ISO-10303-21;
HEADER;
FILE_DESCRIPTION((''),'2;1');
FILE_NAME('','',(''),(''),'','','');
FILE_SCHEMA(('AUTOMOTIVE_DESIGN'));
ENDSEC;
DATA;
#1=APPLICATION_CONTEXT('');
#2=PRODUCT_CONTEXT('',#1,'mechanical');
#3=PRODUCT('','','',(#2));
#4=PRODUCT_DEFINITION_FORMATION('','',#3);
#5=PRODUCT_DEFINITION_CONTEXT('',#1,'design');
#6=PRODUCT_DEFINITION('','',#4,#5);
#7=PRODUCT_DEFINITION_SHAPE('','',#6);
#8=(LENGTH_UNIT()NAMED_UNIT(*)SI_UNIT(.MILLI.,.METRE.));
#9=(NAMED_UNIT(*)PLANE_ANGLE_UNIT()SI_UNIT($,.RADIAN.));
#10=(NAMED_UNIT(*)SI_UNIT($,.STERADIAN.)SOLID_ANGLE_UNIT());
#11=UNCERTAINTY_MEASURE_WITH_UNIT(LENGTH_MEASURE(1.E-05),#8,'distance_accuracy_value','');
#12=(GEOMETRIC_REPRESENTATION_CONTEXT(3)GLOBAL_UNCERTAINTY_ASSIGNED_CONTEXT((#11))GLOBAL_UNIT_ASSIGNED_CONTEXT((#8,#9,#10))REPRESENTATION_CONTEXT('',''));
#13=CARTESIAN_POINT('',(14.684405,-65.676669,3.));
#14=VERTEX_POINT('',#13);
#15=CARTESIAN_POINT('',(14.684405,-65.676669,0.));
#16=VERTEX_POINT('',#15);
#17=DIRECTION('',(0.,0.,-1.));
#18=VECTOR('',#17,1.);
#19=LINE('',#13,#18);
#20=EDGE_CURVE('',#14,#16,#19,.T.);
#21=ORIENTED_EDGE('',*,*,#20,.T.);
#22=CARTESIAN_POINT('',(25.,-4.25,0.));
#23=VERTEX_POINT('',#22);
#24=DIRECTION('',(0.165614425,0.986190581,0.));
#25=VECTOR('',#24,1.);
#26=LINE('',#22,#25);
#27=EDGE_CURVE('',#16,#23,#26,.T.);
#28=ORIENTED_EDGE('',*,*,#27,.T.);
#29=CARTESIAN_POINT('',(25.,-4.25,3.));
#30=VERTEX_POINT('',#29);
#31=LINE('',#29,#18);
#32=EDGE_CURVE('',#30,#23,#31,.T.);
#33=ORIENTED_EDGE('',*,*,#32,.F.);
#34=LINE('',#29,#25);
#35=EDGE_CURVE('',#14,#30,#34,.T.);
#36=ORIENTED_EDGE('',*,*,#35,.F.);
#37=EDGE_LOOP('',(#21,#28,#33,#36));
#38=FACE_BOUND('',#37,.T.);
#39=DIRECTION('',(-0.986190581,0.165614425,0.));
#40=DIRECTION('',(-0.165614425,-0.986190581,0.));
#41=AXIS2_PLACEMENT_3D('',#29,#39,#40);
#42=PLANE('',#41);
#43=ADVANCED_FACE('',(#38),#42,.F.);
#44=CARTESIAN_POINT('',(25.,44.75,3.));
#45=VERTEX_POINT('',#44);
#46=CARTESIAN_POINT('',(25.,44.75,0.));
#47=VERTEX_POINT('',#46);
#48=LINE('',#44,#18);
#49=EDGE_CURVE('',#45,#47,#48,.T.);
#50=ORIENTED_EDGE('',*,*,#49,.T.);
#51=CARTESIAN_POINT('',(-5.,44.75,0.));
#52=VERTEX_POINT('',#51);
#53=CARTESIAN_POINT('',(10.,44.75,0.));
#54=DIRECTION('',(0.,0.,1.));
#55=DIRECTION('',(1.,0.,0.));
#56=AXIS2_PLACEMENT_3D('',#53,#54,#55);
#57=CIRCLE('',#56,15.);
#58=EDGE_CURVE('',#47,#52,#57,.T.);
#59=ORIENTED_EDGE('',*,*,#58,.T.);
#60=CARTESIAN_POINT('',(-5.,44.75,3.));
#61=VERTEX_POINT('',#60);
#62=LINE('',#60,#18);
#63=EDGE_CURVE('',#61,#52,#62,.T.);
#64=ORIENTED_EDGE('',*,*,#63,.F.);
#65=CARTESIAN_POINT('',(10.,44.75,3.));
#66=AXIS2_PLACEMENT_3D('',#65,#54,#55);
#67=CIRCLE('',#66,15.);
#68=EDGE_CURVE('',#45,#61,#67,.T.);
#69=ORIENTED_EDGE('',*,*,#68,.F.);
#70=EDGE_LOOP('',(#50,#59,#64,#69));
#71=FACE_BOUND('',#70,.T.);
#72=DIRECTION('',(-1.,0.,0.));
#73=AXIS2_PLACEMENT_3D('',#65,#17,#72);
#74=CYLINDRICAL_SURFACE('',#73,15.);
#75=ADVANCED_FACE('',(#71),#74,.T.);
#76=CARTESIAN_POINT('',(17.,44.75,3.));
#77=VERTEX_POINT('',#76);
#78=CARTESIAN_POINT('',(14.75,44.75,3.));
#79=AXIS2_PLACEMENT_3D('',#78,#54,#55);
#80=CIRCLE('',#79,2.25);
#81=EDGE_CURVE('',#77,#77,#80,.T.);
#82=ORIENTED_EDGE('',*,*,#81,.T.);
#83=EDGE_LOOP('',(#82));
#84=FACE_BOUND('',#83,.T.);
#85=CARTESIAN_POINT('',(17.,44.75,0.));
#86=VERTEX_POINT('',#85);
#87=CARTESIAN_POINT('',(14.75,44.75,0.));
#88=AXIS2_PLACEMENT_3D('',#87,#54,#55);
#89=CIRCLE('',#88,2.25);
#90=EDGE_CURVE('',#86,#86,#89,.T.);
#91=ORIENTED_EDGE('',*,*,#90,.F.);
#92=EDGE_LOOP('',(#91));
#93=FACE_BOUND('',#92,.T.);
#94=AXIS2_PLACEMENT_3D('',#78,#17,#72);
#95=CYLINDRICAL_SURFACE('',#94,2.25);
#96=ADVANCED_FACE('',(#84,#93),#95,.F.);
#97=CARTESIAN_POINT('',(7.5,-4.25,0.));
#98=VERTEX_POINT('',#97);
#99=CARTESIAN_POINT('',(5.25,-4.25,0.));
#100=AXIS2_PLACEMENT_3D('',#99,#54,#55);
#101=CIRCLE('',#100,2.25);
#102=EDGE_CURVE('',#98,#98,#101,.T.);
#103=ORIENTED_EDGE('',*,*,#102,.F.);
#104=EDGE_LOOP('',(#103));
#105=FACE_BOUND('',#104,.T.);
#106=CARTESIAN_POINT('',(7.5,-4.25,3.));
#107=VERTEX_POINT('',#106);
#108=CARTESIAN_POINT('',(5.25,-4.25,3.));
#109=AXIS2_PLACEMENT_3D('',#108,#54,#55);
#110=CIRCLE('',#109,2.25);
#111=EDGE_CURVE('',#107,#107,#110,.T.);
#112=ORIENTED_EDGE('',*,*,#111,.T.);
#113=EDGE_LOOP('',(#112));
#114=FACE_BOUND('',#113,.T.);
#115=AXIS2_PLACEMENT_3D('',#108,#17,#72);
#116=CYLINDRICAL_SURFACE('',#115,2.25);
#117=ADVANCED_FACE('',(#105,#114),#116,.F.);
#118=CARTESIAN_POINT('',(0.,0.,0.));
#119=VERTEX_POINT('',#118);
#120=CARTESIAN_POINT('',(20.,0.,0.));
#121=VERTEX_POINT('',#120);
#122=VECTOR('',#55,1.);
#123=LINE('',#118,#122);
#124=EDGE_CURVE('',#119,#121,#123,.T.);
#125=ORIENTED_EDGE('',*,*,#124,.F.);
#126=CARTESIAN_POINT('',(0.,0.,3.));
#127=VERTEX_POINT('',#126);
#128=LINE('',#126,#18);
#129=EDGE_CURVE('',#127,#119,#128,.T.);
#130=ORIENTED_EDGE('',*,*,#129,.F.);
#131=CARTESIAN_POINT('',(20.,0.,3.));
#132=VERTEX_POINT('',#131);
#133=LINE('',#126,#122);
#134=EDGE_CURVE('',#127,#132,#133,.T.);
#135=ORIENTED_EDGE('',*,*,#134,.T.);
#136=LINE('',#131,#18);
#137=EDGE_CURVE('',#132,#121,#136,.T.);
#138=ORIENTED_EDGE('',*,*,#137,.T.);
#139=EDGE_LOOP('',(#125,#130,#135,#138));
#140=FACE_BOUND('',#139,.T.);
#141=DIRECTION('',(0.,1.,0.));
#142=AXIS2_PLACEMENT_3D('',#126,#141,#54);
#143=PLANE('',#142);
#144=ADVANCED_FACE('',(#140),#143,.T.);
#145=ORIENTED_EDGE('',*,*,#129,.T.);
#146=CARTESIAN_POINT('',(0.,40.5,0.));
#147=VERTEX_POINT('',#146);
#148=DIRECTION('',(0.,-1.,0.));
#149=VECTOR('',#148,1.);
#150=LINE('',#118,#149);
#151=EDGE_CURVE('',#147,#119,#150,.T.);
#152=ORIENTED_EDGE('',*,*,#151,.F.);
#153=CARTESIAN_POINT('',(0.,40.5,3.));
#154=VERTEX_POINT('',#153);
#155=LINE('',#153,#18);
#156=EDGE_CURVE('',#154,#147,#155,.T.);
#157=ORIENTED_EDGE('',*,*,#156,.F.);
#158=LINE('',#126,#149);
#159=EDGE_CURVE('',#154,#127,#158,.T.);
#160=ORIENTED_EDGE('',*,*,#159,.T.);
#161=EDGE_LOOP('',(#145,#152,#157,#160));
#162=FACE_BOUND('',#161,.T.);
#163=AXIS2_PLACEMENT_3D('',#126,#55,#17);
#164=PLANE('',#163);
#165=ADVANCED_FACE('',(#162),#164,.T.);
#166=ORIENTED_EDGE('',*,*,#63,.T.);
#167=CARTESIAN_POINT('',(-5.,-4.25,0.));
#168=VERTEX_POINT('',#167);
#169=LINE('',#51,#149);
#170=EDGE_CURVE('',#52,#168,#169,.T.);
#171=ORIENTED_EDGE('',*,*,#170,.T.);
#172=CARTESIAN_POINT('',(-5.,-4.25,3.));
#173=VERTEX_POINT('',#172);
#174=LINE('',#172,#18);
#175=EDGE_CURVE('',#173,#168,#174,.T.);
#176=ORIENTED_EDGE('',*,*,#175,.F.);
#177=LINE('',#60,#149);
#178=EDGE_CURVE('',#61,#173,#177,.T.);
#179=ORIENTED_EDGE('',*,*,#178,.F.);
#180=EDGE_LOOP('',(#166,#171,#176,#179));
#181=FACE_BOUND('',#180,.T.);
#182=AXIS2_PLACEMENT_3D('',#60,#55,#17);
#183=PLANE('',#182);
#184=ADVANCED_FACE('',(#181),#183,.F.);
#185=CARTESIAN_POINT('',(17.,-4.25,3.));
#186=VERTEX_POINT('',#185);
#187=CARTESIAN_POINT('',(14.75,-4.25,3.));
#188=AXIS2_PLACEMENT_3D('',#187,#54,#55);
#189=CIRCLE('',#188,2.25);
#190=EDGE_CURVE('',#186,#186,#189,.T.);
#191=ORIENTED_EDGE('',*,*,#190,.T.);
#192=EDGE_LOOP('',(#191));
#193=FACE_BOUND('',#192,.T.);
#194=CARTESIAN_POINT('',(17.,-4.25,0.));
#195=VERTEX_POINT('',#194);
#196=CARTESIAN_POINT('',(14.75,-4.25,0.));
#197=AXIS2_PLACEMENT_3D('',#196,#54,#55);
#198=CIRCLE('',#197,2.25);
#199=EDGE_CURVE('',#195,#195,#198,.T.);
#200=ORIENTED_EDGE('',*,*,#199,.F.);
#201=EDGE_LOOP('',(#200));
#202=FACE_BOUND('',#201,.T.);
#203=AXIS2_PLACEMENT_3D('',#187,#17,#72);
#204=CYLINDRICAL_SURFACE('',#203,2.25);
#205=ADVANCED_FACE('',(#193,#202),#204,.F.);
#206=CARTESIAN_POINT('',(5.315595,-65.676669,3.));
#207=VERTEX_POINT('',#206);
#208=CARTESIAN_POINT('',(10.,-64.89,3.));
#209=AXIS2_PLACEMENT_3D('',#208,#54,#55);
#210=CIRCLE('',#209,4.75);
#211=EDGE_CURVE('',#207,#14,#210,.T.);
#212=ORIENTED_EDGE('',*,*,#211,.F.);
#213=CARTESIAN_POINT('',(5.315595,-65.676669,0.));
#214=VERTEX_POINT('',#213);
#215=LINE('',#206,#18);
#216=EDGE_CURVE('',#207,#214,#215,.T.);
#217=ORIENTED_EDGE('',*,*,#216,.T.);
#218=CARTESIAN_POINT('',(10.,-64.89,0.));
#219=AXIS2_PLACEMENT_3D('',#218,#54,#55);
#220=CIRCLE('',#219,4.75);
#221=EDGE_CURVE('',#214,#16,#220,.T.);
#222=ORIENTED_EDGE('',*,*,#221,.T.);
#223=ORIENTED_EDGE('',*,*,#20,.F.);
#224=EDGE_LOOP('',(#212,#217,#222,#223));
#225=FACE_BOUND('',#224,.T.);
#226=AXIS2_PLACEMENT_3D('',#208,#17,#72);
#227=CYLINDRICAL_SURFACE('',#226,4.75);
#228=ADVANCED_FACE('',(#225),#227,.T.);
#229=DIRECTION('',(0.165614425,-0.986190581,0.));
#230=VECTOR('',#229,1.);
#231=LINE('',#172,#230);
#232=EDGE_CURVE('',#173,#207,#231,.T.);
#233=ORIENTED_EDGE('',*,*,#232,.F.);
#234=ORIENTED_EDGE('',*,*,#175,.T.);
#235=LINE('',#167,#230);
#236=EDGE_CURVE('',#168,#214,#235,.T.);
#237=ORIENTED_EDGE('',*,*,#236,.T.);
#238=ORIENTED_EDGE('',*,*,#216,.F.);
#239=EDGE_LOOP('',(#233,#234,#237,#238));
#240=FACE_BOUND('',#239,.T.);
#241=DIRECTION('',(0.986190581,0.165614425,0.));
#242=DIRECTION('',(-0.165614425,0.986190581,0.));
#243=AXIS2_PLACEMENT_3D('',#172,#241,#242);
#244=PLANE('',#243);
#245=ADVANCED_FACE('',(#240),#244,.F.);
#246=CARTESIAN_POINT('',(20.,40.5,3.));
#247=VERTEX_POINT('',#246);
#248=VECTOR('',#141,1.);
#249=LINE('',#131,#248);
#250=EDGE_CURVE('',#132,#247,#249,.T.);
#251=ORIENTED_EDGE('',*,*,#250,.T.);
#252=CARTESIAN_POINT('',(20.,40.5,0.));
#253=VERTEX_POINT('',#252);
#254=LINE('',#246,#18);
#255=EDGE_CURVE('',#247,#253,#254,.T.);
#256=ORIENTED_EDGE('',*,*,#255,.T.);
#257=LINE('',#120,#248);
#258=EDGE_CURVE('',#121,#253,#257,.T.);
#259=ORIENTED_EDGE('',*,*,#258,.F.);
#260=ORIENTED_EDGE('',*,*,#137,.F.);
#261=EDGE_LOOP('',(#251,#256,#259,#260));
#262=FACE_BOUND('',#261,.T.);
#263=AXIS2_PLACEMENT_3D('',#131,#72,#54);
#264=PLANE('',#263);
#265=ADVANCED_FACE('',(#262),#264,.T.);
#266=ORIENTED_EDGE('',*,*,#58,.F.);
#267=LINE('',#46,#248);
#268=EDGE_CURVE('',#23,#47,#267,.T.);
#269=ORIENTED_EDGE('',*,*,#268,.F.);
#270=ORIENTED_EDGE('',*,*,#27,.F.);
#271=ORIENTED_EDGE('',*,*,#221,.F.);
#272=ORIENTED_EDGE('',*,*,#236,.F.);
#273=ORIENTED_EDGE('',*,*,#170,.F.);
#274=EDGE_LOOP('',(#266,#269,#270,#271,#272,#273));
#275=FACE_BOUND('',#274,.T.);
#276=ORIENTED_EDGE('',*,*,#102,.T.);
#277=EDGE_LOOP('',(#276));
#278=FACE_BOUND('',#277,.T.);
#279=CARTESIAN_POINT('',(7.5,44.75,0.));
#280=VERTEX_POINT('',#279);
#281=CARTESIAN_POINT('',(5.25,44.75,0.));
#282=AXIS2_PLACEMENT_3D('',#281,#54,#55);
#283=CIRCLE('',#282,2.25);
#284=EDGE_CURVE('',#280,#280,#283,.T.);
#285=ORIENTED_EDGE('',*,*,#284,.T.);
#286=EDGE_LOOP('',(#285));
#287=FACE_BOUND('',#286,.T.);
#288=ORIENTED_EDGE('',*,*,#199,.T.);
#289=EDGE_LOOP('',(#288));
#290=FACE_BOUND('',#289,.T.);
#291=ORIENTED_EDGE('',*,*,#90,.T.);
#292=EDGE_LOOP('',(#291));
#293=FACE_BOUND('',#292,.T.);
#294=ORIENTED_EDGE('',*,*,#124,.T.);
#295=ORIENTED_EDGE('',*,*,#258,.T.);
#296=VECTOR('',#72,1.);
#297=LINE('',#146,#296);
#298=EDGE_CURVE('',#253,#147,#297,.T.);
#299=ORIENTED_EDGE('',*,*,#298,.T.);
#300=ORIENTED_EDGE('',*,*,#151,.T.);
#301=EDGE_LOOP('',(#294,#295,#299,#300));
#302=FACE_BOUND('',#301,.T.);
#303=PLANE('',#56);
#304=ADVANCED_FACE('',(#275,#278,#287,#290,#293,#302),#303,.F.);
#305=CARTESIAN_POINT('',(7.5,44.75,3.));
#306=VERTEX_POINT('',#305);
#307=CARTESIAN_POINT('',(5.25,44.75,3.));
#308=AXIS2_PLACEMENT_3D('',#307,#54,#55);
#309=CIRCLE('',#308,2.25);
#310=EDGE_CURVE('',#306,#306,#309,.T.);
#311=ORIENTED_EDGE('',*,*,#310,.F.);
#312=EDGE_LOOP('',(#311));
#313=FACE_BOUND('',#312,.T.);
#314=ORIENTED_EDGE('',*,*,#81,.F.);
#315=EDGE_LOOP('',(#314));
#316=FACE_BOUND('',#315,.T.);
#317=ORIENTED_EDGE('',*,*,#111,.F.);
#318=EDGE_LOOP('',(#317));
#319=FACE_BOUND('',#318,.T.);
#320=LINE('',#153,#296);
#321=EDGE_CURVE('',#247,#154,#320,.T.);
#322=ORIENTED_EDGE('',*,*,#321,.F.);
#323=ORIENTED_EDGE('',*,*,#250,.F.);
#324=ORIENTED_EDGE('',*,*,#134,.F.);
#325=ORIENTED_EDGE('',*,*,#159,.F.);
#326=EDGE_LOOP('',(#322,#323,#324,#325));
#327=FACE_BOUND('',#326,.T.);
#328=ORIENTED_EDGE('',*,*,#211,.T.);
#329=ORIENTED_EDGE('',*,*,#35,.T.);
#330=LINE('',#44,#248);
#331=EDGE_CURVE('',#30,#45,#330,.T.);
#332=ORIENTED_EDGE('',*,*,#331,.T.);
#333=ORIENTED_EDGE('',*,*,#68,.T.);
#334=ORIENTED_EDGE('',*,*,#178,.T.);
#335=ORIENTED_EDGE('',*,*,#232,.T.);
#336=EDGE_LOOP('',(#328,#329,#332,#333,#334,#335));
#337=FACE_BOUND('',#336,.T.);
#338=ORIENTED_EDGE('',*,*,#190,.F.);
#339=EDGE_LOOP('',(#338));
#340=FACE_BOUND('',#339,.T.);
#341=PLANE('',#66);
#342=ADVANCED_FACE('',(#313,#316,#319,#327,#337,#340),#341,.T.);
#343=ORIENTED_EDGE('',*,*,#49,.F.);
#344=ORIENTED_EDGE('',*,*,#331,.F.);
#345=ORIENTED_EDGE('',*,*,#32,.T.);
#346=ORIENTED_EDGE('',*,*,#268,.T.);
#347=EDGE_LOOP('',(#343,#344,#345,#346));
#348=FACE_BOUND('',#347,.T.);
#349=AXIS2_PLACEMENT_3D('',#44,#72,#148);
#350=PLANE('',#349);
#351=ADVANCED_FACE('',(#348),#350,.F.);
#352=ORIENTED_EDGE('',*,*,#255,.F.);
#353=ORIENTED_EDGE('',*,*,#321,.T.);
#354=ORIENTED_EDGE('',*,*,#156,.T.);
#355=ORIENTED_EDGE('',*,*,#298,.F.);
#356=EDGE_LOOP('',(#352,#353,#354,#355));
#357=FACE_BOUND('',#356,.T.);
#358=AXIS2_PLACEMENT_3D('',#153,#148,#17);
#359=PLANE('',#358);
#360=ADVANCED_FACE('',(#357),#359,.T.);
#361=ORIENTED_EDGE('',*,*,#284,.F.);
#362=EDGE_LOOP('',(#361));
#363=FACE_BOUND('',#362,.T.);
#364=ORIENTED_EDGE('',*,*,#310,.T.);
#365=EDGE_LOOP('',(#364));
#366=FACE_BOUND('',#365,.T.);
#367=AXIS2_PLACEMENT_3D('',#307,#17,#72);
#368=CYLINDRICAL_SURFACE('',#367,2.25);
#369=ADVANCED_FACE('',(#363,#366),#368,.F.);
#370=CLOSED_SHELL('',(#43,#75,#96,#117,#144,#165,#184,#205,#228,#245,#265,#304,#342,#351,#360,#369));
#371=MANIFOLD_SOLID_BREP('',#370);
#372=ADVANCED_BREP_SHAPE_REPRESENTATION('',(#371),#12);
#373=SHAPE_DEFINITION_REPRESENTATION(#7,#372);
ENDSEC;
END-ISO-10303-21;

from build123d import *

# Parameters (mm, degrees)
SKETCH1_R           = 2.25
SKETCH1_W           = 20
SKETCH1_H           = 40.5
BOSS_EXTRUDE1_DEPTH = 3


with BuildPart() as part:
    # Sketch1 → Boss-Extrude1 (new body)
    with BuildSketch(Plane.XY):
        with BuildLine():
            Line((-5, 44.75), (-5, -4.25))
            Line((-5, -4.25), (5.31559474, -65.676668518))
            ThreePointArc((5.31559474, -65.676668518), (10, -69.64), (14.68440526, -65.676668518))
            Line((14.68440526, -65.676668518), (25, -4.25))
            Line((25, -4.25), (25, 44.75))
            ThreePointArc((25, 44.75), (10, 59.75), (-5, 44.75))
        make_face()
        with Locations((14.75, -4.25)):
            Circle(SKETCH1_R, mode=Mode.SUBTRACT)
        with Locations((5.25, -4.25)):
            Circle(SKETCH1_R, mode=Mode.SUBTRACT)
        with Locations((14.75, 44.75)):
            Circle(SKETCH1_R, mode=Mode.SUBTRACT)
        with Locations((5.25, 44.75)):
            Circle(SKETCH1_R, mode=Mode.SUBTRACT)
        with Locations((10, 20.25)):
            Rectangle(SKETCH1_W, SKETCH1_H, mode=Mode.SUBTRACT)
    extrude(amount=BOSS_EXTRUDE1_DEPTH)


solid = part.part
